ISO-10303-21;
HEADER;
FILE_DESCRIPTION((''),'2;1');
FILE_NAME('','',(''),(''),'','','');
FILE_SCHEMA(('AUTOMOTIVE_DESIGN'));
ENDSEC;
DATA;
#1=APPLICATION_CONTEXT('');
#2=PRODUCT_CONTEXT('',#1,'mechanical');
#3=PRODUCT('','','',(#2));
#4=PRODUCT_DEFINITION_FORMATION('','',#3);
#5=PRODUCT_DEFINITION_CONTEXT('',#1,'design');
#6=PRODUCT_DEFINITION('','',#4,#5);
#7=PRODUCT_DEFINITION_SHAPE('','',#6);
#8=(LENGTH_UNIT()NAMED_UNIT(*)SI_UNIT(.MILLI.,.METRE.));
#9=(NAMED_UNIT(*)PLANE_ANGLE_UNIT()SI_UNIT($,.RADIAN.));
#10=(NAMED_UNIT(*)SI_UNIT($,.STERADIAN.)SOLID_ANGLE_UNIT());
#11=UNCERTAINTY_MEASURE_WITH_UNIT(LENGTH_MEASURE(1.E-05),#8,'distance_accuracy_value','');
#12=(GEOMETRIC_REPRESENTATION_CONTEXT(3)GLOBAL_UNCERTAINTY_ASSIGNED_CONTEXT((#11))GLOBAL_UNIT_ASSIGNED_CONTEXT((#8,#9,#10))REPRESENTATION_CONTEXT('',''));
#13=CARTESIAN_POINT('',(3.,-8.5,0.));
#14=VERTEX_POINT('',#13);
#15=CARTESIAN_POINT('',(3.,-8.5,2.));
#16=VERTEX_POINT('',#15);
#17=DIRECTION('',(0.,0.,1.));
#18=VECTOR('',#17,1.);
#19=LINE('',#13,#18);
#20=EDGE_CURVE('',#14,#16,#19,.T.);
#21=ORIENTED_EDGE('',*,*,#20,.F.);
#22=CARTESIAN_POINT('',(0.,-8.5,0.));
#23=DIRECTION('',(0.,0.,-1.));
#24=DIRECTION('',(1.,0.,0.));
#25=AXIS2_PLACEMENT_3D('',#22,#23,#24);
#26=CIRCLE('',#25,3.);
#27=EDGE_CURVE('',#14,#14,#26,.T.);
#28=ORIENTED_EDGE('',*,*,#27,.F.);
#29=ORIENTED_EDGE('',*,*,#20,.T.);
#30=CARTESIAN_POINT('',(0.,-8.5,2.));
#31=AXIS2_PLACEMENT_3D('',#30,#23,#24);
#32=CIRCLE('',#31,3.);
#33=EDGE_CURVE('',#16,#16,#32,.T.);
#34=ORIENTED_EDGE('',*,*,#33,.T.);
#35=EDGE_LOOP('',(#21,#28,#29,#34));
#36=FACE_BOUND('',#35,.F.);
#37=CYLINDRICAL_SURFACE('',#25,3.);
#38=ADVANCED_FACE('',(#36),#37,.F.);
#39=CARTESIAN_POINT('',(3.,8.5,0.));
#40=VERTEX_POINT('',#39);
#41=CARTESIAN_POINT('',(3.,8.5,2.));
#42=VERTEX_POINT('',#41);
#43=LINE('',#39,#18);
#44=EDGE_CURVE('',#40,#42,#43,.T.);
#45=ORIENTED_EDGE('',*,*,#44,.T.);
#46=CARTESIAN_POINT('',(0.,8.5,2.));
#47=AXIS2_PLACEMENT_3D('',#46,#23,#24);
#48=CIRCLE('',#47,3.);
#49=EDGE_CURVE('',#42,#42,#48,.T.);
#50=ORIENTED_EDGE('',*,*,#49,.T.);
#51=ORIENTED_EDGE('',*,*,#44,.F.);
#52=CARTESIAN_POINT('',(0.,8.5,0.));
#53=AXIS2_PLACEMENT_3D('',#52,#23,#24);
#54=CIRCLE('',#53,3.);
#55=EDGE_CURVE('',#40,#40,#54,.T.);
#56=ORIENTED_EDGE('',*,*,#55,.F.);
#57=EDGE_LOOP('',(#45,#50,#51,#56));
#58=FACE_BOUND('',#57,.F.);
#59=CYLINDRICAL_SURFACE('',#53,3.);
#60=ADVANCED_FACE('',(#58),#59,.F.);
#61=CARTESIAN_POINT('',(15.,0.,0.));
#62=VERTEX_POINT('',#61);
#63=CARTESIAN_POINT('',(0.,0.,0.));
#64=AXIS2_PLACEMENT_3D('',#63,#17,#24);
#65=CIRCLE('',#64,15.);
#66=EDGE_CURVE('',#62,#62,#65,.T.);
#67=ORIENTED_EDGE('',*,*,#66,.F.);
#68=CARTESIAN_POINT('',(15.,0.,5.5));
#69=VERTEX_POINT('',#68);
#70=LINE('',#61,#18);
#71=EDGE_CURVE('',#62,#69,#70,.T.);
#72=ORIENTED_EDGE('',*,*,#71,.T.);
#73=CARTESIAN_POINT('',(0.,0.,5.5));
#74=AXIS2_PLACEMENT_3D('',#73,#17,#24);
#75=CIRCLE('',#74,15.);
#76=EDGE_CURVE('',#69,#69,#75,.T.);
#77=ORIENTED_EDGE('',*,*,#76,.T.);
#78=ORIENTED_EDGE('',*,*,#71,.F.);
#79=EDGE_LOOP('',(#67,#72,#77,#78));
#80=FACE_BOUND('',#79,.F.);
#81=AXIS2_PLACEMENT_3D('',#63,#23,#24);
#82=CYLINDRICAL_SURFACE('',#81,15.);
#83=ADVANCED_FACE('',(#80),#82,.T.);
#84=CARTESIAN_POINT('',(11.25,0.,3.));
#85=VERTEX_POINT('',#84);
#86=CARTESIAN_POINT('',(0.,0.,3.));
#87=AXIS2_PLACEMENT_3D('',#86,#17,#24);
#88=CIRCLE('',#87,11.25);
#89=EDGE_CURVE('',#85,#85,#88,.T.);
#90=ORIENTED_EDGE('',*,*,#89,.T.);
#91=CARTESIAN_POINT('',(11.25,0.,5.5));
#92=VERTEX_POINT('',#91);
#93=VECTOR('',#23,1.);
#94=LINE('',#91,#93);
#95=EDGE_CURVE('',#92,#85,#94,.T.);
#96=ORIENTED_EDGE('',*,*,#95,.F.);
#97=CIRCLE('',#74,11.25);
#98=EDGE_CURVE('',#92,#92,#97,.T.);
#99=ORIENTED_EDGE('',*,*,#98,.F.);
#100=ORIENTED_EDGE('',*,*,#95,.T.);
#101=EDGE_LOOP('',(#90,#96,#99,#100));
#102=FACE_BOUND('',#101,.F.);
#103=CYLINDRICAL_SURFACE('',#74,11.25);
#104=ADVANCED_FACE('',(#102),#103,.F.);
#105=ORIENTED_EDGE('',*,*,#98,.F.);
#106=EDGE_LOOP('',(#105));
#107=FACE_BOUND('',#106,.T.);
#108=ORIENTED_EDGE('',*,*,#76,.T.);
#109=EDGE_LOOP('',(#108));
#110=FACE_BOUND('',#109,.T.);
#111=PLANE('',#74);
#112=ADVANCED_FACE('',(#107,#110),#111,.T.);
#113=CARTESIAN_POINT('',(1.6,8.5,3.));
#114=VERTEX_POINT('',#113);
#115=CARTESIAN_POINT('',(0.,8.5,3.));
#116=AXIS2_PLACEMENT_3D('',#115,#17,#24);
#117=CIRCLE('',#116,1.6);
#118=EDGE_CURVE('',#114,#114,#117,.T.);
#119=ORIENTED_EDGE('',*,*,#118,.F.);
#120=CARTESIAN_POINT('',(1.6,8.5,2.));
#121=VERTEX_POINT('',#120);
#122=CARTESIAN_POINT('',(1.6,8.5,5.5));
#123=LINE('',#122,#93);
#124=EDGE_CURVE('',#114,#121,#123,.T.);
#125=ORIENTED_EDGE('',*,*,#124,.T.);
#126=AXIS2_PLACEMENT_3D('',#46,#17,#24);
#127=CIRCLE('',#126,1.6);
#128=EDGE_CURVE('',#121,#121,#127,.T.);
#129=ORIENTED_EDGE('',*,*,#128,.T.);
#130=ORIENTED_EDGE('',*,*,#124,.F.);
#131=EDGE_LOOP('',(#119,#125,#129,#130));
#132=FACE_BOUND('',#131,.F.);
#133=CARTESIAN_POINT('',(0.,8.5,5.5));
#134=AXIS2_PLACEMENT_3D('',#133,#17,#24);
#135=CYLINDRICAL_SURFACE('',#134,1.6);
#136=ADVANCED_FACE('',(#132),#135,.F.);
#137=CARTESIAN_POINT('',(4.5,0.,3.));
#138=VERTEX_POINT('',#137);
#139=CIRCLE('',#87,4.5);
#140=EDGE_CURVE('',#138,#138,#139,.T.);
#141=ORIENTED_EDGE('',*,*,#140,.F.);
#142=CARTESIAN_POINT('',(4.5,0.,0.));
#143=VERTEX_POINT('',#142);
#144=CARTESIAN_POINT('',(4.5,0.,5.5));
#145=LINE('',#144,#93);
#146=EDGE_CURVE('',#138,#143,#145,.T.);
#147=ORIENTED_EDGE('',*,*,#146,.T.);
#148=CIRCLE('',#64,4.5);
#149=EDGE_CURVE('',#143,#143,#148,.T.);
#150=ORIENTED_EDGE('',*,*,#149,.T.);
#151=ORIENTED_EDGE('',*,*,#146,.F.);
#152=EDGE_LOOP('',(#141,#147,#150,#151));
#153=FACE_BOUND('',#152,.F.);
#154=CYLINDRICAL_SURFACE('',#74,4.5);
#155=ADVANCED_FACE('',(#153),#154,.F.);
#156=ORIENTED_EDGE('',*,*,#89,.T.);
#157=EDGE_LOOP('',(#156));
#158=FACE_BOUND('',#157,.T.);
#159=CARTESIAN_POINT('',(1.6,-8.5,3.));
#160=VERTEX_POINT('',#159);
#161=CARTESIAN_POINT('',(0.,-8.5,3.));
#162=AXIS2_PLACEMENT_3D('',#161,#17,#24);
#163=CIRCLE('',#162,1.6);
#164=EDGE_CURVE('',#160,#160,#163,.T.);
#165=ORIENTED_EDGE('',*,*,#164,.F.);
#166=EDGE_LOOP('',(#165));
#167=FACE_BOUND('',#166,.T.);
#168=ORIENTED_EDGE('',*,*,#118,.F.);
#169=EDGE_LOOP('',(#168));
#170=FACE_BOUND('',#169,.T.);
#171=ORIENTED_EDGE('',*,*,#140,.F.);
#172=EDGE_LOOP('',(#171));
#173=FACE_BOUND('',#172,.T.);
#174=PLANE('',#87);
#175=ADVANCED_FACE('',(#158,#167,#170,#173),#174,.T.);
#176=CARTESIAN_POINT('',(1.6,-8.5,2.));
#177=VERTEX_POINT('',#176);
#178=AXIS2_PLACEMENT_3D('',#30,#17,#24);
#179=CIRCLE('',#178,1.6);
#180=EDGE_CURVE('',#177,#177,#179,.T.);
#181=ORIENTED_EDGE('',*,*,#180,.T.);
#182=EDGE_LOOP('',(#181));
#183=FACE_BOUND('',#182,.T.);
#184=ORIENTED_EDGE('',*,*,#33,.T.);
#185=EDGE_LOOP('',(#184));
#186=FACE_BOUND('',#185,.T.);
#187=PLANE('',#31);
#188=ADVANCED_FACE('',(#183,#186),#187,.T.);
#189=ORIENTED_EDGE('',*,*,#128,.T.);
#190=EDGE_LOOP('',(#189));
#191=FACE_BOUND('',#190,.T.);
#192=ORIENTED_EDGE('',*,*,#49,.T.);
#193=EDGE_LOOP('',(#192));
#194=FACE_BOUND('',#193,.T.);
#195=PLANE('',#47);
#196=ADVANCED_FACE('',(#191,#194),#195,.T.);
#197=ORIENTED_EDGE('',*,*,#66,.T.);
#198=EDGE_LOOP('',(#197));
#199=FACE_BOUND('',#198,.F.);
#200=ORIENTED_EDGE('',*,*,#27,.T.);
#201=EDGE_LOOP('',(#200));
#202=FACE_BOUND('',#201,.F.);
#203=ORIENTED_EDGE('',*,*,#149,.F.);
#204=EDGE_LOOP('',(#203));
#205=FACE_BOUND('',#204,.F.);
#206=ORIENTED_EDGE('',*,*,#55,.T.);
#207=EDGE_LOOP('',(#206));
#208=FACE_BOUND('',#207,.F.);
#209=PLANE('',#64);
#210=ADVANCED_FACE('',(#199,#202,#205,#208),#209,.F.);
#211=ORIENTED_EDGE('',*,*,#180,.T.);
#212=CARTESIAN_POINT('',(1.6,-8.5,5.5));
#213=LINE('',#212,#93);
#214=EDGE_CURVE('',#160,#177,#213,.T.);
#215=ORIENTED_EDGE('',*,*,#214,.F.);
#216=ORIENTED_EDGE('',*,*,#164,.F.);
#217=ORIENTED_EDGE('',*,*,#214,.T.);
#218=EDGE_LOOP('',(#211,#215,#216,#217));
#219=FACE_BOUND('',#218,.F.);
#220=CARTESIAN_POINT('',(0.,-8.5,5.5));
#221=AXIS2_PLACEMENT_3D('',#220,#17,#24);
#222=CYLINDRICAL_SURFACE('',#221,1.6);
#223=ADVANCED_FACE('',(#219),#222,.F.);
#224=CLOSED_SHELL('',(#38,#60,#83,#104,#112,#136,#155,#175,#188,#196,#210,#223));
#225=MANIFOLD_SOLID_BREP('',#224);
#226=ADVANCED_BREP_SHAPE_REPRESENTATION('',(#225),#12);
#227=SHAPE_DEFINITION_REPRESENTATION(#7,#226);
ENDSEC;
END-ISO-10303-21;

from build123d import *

# Parameters (mm, degrees)
SKETCH_R        = 15
PAD_DEPTH       = 5.5
SKETCH001_R     = 4.5
SKETCH001_R_2   = 1.6
POCKET_DEPTH    = 5.501
SKETCH002_R     = 11.25
POCKET001_DEPTH = 2.5
SKETCH003_R     = 3
POCKET002_DEPTH = 2


with BuildPart() as part:
    # Sketch → Pad (new body)
    with BuildSketch(Plane.XY):
        Circle(SKETCH_R)
    extrude(amount=PAD_DEPTH)

    # Sketch001 (on Face3 of Pad) → Pocket (cut, through all)
    with BuildSketch(Plane.XY.offset(5.5)):
        Circle(SKETCH001_R)
        with Locations((0, 8.5)):
            Circle(SKETCH001_R_2)
        with Locations((0, -8.5)):
            Circle(SKETCH001_R_2)
    extrude(amount=-POCKET_DEPTH, mode=Mode.SUBTRACT)

    # Sketch002 (on Face3 of Pocket) → Pocket001 (cut)
    with BuildSketch(Plane.XY.offset(5.5)):
        Circle(SKETCH002_R)
    extrude(amount=-POCKET001_DEPTH, mode=Mode.SUBTRACT)

    # Sketch003 (on Face2 of Pocket001) → Pocket002 (cut)
    with BuildSketch(Plane(origin=(0, 0, 0), x_dir=(1, 0, 0), z_dir=(0, 0, -1))):
        with Locations((0, 8.5)):
            Circle(SKETCH003_R)
        with Locations((0, -8.5)):
            Circle(SKETCH003_R)
    extrude(amount=-POCKET002_DEPTH, mode=Mode.SUBTRACT)


solid = part.part
